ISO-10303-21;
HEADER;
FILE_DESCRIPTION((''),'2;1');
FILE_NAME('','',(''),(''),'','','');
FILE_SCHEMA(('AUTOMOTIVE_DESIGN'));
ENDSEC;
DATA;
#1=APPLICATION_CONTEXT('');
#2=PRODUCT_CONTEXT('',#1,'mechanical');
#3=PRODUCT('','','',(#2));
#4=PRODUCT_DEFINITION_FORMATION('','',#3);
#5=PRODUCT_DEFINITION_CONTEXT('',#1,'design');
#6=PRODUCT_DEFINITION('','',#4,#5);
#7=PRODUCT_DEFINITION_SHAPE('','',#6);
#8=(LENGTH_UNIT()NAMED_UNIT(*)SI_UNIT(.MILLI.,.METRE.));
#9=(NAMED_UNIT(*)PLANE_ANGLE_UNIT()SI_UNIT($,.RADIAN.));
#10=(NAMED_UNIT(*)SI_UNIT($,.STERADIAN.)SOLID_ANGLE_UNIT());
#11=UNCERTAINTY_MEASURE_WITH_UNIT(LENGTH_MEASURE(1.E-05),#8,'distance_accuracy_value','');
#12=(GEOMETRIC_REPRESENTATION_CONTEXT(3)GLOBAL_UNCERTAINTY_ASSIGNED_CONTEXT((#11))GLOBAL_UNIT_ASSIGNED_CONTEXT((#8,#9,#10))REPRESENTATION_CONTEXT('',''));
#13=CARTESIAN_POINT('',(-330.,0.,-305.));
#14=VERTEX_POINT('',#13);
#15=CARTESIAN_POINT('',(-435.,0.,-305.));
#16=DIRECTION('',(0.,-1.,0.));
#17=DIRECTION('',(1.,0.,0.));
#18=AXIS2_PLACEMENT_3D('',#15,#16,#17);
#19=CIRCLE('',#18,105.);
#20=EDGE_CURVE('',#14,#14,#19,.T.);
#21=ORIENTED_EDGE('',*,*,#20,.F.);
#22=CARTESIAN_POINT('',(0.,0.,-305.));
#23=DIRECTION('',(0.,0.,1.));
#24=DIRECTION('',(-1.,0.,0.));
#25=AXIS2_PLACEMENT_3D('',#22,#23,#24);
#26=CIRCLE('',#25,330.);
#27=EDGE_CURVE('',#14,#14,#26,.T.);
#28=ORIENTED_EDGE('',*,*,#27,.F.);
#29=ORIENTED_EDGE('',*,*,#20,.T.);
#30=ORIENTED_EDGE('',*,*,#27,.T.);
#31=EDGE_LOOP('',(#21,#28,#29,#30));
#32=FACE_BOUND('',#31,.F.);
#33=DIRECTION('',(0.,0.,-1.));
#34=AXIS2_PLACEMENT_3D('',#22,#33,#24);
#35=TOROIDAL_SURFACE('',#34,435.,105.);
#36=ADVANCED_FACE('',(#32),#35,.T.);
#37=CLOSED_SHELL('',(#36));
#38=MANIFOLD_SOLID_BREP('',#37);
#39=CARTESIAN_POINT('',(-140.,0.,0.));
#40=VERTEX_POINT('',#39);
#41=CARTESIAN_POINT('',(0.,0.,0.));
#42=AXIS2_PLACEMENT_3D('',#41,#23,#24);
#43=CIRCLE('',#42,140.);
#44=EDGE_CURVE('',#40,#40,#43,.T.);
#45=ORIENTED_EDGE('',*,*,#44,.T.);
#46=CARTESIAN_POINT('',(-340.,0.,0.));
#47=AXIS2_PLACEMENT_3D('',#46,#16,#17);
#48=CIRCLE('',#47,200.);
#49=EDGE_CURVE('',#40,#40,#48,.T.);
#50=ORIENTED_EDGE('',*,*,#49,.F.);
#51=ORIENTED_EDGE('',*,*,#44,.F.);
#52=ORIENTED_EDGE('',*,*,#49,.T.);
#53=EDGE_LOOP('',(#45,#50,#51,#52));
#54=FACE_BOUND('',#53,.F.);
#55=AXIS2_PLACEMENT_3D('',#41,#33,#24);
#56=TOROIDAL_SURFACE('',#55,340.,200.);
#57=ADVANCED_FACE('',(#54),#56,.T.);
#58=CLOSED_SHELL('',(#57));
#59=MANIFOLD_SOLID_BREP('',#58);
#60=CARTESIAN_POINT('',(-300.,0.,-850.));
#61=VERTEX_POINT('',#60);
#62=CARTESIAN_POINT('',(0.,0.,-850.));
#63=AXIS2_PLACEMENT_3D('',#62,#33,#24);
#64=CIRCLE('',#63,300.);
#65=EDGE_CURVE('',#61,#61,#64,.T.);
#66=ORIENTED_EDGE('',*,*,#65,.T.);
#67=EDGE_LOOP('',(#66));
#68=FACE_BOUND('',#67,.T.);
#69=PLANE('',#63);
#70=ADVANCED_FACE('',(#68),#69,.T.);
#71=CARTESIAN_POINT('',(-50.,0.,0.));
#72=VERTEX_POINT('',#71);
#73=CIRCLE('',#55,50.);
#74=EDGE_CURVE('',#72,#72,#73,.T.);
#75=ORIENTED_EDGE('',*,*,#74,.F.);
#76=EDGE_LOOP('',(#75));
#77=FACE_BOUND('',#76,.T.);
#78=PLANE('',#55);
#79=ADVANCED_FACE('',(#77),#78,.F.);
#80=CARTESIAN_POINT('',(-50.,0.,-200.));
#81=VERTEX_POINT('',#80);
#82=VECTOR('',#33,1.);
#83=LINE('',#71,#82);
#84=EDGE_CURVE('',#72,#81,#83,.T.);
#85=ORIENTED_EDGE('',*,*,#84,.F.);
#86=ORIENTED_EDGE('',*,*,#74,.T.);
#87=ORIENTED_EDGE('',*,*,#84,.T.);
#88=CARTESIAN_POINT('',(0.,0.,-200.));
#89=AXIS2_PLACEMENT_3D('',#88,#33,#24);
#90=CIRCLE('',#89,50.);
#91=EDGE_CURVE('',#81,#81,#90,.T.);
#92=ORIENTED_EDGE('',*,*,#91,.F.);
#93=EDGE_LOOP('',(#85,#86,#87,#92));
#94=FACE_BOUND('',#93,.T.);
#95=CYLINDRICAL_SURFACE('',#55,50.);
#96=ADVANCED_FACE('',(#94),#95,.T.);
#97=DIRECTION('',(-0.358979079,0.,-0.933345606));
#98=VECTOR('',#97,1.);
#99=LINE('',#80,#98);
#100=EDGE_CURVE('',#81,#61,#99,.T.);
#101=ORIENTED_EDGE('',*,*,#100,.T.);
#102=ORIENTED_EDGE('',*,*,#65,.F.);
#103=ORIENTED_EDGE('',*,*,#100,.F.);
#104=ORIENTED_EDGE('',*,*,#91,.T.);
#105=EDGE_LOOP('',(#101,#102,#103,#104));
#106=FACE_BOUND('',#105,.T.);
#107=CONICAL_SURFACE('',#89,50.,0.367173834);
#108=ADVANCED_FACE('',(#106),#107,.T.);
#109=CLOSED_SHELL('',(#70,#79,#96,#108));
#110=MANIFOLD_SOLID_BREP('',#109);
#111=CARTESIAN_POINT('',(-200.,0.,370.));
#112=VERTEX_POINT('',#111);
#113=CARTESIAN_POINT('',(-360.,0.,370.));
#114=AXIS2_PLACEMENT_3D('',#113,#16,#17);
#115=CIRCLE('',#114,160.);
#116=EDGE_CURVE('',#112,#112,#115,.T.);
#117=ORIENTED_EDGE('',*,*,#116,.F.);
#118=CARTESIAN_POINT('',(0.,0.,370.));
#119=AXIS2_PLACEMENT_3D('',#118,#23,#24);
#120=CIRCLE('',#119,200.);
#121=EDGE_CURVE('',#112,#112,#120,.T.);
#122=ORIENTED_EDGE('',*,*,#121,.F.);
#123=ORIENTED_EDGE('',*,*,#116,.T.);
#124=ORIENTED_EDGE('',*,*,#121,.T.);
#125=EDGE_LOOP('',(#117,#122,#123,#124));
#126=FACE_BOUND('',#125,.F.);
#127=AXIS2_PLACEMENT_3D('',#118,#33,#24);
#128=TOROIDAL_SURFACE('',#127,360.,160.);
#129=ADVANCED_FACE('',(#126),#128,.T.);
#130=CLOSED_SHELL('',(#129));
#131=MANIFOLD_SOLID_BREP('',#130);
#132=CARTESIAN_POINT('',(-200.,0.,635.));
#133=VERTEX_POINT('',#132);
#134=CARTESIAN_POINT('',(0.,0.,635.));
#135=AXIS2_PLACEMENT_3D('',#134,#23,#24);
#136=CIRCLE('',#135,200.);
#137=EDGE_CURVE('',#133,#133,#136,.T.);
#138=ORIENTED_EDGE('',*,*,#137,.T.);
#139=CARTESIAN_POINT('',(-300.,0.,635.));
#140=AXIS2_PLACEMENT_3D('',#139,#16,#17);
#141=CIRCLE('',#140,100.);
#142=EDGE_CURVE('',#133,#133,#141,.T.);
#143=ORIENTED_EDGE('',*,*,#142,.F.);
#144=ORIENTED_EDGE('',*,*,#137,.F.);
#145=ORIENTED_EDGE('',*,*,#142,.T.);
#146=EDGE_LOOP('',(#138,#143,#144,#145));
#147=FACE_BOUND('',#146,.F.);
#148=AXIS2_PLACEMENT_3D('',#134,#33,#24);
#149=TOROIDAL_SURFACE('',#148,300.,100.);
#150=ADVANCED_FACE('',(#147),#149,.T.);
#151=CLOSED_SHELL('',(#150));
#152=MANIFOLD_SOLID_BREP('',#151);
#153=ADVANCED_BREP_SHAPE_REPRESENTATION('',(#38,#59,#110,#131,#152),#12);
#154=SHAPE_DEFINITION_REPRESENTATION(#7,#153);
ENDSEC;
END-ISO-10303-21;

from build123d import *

# Parameters (mm, degrees)
F0_R = 200
F2_R = 105
F4_R = 160
F6_R = 100


with BuildPart() as f1:
    # F0 (on Front) → F1 (revolve)
    with BuildSketch(Plane.XZ):
        with Locations((-340, 0)):
            Circle(F0_R)
    revolve(axis=Axis((0, 0, 98.72999), (0, 0, 1)))


with BuildPart() as f3:
    # F2 (on Front) → F3 (revolve)
    with BuildSketch(Plane.XZ):
        with Locations((-435, -305)):
            Circle(F2_R)
    revolve(axis=Axis((0, 0, 98.72999), (0, 0, 1)))


with BuildPart() as f5:
    # F4 (on Front) → F5 (revolve)
    with BuildSketch(Plane.XZ):
        with Locations((-360, 370)):
            Circle(F4_R)
    revolve(axis=Axis((0, 0, 98.72999), (0, 0, 1)))


with BuildPart() as f7:
    # F6 (on Front) → F7 (revolve)
    with BuildSketch(Plane.XZ):
        with Locations((-300, 635)):
            Circle(F6_R)
    revolve(axis=Axis((0, 0, 98.72999), (0, 0, 1)))


with BuildPart() as f9:
    # F8 (on Front) → F9 (revolve)
    with BuildSketch(Plane.XZ):
        Polygon((0, -850), (0, 0), (-50, 0), (-50, -200), (-300, -850), align=None)
    revolve(axis=Axis((0, 0, -425), (0, 0, -1)))


solid = Compound([f1.part, f3.part, f5.part, f7.part, f9.part])
